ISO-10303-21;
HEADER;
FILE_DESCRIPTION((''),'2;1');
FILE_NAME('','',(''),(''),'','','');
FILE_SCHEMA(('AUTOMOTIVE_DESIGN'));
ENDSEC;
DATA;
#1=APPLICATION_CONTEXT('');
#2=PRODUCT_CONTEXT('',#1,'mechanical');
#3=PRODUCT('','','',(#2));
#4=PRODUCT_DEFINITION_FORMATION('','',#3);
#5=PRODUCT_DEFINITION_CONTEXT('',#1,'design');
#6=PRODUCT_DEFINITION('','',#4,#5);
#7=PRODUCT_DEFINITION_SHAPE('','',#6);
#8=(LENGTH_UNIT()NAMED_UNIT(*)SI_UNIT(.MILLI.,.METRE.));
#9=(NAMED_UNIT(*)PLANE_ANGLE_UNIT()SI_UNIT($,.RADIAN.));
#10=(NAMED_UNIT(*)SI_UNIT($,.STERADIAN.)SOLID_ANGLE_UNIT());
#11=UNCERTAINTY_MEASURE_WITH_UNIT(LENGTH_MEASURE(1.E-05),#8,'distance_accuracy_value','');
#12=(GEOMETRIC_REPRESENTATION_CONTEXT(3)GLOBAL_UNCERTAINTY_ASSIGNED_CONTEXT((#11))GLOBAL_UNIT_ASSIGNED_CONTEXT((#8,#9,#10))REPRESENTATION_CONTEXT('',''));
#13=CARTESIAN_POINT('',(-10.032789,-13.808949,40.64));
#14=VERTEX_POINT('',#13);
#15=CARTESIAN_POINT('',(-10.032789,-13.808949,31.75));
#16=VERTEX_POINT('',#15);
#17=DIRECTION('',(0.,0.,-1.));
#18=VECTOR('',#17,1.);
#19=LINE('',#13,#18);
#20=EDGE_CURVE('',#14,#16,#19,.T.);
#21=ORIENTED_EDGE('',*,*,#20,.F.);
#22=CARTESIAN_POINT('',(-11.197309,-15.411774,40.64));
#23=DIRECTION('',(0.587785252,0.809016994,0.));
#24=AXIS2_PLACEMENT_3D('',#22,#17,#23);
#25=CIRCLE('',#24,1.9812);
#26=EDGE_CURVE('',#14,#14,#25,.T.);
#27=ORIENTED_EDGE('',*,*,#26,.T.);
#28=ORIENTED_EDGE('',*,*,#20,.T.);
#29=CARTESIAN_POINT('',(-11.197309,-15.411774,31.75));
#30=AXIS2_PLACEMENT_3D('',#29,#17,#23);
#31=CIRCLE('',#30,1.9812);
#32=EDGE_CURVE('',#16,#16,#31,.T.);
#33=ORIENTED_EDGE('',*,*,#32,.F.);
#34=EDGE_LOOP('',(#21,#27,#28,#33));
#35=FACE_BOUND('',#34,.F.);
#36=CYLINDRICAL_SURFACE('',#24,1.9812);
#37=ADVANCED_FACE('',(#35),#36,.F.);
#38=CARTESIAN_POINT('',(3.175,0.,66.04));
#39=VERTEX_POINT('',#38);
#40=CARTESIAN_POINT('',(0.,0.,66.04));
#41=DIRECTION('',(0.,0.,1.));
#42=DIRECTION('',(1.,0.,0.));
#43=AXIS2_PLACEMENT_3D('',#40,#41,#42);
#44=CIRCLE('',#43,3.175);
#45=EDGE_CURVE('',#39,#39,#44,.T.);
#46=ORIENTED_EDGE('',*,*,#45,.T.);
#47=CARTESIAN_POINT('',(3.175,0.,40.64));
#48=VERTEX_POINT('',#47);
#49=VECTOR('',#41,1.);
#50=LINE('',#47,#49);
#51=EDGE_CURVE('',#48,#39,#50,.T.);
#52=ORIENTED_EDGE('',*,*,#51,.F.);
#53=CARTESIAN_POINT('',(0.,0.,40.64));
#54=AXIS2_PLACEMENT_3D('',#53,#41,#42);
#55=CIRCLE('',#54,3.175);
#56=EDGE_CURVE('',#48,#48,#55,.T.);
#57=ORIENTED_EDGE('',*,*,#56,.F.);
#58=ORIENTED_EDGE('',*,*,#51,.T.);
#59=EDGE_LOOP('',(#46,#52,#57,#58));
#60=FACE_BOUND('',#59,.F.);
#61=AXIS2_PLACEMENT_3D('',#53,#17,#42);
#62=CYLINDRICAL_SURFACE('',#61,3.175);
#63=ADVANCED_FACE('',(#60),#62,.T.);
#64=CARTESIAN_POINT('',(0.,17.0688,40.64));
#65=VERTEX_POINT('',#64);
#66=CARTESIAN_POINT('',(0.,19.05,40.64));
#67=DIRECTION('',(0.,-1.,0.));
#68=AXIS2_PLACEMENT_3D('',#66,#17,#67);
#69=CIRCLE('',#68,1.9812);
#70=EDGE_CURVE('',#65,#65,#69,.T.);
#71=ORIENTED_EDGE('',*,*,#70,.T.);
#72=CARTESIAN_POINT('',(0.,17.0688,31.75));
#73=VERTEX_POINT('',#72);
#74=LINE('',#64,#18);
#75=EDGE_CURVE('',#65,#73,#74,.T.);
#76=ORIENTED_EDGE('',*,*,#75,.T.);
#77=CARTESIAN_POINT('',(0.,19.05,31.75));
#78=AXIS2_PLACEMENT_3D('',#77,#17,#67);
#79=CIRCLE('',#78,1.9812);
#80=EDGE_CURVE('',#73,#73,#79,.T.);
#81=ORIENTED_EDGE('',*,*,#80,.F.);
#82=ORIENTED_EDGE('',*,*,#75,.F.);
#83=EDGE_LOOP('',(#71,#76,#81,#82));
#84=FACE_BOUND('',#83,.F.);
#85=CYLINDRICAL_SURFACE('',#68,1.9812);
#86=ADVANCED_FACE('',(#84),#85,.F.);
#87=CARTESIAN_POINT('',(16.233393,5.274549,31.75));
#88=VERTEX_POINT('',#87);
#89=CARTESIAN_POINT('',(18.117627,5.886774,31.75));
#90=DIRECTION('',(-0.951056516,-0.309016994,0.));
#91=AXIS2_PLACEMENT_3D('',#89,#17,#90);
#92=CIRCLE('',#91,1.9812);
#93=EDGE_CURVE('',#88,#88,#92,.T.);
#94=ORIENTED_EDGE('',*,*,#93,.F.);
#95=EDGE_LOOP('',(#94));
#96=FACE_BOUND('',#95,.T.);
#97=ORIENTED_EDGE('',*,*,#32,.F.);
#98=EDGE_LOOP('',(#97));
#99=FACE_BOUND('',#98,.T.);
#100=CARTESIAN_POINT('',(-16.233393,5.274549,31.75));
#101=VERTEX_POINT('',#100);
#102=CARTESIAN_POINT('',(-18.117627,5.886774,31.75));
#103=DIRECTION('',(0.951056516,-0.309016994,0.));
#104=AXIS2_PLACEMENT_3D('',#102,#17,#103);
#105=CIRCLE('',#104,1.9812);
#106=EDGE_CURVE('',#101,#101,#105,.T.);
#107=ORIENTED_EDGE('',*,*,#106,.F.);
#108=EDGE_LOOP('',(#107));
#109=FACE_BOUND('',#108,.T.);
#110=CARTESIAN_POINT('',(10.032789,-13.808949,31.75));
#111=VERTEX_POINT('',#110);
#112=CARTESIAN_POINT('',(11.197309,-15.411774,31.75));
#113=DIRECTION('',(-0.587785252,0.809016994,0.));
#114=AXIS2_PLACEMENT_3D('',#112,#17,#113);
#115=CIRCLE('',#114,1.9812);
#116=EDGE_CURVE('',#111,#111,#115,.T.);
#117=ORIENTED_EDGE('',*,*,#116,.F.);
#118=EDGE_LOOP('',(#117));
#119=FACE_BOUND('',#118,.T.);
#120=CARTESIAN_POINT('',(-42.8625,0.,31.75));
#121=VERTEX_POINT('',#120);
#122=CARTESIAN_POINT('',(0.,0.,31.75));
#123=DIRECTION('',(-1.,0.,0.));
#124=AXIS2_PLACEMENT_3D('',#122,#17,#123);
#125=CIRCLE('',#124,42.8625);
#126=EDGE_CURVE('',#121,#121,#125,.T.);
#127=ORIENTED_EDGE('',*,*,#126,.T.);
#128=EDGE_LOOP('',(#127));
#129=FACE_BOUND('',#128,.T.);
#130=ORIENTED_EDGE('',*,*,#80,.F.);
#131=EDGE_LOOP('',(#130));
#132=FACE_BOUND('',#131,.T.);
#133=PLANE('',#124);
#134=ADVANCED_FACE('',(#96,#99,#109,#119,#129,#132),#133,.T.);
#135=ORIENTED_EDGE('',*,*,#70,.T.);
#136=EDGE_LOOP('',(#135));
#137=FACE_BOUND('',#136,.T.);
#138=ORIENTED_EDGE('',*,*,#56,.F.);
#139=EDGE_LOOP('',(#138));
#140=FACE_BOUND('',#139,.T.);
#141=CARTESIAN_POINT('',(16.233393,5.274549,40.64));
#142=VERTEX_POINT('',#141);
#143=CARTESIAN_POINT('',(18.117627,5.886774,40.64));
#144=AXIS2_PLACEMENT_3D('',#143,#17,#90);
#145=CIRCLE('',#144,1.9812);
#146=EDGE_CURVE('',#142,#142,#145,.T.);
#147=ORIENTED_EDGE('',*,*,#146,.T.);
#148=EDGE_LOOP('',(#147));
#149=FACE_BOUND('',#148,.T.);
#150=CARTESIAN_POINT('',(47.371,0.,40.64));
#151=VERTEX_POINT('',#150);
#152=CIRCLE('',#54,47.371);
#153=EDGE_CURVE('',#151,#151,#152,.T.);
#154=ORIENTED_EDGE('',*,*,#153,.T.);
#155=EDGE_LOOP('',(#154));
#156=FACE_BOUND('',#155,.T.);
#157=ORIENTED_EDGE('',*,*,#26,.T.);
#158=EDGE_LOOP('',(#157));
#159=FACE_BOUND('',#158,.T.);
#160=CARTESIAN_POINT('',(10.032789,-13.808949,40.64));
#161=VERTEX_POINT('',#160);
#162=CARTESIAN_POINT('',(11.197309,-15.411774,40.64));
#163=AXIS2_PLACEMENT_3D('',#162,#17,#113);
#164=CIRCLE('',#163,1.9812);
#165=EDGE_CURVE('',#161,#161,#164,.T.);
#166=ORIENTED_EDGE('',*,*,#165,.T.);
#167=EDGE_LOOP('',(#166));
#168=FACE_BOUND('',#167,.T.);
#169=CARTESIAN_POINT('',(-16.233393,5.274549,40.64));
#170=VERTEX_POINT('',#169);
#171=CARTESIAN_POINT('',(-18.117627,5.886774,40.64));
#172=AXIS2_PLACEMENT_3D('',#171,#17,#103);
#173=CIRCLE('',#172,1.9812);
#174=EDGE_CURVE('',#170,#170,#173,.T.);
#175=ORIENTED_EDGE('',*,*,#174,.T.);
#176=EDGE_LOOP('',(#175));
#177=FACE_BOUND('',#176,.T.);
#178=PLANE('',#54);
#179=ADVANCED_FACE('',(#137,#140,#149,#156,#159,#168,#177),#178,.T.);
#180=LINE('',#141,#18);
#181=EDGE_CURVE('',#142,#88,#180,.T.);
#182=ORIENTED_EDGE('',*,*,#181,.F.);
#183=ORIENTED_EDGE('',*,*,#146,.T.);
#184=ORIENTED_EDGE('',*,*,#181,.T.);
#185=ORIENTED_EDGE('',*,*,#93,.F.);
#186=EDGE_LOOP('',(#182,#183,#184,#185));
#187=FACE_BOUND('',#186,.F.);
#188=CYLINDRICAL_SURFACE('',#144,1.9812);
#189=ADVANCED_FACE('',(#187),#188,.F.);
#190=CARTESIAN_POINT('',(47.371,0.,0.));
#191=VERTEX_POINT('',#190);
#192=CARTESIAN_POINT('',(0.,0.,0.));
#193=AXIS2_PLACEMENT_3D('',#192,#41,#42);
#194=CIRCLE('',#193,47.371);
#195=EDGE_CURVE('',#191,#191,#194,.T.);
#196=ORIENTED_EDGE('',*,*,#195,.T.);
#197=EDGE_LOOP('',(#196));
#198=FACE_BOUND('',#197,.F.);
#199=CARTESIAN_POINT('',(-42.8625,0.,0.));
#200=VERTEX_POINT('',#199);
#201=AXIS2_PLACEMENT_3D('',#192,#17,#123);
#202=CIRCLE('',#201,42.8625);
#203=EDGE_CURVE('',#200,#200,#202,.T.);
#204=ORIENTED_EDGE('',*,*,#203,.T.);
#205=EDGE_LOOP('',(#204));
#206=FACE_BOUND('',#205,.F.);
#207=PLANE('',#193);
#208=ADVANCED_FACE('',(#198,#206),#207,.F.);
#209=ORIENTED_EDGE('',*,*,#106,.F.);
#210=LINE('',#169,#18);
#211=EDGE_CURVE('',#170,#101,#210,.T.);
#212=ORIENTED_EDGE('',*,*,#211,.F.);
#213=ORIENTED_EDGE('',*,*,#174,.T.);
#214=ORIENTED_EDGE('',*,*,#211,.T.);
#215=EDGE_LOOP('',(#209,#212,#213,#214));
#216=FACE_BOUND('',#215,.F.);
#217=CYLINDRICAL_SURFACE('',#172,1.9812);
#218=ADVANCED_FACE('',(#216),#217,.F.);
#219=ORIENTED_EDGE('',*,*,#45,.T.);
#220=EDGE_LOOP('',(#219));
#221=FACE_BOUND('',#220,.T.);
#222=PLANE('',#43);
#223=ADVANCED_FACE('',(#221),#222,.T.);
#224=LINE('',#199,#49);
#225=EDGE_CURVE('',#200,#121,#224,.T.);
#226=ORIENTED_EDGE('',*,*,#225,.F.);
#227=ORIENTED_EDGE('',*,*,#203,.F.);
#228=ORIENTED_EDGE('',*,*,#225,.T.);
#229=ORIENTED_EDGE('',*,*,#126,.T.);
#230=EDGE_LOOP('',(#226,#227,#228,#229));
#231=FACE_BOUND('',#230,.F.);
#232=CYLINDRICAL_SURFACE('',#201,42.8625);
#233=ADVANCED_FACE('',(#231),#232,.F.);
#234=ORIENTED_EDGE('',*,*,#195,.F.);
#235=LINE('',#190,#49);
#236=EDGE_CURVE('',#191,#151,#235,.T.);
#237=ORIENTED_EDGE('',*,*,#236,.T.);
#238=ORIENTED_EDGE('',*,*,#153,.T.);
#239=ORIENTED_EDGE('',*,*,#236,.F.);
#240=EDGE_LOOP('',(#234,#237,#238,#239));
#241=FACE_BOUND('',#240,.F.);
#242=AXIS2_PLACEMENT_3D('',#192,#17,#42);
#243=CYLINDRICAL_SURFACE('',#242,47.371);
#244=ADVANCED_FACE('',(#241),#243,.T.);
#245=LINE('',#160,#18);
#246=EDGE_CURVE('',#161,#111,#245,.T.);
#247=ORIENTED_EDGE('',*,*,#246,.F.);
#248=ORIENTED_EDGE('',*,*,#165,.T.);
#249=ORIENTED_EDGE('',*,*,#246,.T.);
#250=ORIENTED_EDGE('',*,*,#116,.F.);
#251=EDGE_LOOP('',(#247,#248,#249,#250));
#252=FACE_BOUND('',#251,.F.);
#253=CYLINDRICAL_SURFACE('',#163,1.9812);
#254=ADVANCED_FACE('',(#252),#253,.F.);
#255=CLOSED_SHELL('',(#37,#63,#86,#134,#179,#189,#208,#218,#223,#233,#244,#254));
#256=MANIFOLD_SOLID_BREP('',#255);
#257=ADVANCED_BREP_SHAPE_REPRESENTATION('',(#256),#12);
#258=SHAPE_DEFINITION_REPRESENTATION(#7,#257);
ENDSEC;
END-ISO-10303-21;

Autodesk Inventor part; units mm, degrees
ref_plane "YZ Plane" through (0, 0, 0) normal (1, 0, 0) x (0, 1, 0)
ref_plane "XZ Plane" through (0, 0, 0) normal (0, 1, 0) x (-1, 0, 0)
ref_plane "XY Plane" through (0, 0, 0) normal (0, 0, 1) x (1, 0, 0)
sketch "Sketch1" plane through (0, 0, 0) normal (0, 0, 1) x (1, 0, 0)
  circle A0 centre (0, 0) radius 47.371
  dimension "d0" = 94.742
extrude "Extrusion1" add sketch "Sketch1" along normal blind 40.64
sketch "Sketch2" plane through (0, 0, 0) normal (0, 0, -1) x (-1, 0, 0)
  circle A0 centre (0, 0) radius 42.8625
  dimension "d4" = 85.725
extrude "Extrusion2" cut sketch "Sketch2" against normal blind 31.75
sketch "Sketch6" plane through (0, 0, 40.64) normal (0, 0, 1) x (1, 0, 0)
  circle A0 centre (0, 0) radius 47.371 projected
  circle A1 centre (0, 0) radius 19.05
  line L0 (0, 19.05) -> (0, 0) construction
  dimension "d24" = 38.1
hole "Hole3" at (0, 19.05, 40.64) direction (0, 0, -1) diameter 3.9624 depth 25.4 tip angle 118 thread size "10-32 UNF" class "2B" standard "ANSI Unified Screw Threads"
pattern_circular "Circular Pattern1" count 5 over 360 about axis through (0, 0, 0) along (0, 0, 1) of "Hole3"
sketch "Sketch7" plane through (0, 0, 40.64) normal (0, 0, 1) x (1, 0, 0)
  circle A0 centre (0, 0) radius 47.371 projected
  circle A1 centre (0, 0) radius 3.175
  dimension "d37" = 6.35
extrude "Extrusion4" add sketch "Sketch7" along normal blind 25.4 contours A1
properties part number "Aluminum mold support"
